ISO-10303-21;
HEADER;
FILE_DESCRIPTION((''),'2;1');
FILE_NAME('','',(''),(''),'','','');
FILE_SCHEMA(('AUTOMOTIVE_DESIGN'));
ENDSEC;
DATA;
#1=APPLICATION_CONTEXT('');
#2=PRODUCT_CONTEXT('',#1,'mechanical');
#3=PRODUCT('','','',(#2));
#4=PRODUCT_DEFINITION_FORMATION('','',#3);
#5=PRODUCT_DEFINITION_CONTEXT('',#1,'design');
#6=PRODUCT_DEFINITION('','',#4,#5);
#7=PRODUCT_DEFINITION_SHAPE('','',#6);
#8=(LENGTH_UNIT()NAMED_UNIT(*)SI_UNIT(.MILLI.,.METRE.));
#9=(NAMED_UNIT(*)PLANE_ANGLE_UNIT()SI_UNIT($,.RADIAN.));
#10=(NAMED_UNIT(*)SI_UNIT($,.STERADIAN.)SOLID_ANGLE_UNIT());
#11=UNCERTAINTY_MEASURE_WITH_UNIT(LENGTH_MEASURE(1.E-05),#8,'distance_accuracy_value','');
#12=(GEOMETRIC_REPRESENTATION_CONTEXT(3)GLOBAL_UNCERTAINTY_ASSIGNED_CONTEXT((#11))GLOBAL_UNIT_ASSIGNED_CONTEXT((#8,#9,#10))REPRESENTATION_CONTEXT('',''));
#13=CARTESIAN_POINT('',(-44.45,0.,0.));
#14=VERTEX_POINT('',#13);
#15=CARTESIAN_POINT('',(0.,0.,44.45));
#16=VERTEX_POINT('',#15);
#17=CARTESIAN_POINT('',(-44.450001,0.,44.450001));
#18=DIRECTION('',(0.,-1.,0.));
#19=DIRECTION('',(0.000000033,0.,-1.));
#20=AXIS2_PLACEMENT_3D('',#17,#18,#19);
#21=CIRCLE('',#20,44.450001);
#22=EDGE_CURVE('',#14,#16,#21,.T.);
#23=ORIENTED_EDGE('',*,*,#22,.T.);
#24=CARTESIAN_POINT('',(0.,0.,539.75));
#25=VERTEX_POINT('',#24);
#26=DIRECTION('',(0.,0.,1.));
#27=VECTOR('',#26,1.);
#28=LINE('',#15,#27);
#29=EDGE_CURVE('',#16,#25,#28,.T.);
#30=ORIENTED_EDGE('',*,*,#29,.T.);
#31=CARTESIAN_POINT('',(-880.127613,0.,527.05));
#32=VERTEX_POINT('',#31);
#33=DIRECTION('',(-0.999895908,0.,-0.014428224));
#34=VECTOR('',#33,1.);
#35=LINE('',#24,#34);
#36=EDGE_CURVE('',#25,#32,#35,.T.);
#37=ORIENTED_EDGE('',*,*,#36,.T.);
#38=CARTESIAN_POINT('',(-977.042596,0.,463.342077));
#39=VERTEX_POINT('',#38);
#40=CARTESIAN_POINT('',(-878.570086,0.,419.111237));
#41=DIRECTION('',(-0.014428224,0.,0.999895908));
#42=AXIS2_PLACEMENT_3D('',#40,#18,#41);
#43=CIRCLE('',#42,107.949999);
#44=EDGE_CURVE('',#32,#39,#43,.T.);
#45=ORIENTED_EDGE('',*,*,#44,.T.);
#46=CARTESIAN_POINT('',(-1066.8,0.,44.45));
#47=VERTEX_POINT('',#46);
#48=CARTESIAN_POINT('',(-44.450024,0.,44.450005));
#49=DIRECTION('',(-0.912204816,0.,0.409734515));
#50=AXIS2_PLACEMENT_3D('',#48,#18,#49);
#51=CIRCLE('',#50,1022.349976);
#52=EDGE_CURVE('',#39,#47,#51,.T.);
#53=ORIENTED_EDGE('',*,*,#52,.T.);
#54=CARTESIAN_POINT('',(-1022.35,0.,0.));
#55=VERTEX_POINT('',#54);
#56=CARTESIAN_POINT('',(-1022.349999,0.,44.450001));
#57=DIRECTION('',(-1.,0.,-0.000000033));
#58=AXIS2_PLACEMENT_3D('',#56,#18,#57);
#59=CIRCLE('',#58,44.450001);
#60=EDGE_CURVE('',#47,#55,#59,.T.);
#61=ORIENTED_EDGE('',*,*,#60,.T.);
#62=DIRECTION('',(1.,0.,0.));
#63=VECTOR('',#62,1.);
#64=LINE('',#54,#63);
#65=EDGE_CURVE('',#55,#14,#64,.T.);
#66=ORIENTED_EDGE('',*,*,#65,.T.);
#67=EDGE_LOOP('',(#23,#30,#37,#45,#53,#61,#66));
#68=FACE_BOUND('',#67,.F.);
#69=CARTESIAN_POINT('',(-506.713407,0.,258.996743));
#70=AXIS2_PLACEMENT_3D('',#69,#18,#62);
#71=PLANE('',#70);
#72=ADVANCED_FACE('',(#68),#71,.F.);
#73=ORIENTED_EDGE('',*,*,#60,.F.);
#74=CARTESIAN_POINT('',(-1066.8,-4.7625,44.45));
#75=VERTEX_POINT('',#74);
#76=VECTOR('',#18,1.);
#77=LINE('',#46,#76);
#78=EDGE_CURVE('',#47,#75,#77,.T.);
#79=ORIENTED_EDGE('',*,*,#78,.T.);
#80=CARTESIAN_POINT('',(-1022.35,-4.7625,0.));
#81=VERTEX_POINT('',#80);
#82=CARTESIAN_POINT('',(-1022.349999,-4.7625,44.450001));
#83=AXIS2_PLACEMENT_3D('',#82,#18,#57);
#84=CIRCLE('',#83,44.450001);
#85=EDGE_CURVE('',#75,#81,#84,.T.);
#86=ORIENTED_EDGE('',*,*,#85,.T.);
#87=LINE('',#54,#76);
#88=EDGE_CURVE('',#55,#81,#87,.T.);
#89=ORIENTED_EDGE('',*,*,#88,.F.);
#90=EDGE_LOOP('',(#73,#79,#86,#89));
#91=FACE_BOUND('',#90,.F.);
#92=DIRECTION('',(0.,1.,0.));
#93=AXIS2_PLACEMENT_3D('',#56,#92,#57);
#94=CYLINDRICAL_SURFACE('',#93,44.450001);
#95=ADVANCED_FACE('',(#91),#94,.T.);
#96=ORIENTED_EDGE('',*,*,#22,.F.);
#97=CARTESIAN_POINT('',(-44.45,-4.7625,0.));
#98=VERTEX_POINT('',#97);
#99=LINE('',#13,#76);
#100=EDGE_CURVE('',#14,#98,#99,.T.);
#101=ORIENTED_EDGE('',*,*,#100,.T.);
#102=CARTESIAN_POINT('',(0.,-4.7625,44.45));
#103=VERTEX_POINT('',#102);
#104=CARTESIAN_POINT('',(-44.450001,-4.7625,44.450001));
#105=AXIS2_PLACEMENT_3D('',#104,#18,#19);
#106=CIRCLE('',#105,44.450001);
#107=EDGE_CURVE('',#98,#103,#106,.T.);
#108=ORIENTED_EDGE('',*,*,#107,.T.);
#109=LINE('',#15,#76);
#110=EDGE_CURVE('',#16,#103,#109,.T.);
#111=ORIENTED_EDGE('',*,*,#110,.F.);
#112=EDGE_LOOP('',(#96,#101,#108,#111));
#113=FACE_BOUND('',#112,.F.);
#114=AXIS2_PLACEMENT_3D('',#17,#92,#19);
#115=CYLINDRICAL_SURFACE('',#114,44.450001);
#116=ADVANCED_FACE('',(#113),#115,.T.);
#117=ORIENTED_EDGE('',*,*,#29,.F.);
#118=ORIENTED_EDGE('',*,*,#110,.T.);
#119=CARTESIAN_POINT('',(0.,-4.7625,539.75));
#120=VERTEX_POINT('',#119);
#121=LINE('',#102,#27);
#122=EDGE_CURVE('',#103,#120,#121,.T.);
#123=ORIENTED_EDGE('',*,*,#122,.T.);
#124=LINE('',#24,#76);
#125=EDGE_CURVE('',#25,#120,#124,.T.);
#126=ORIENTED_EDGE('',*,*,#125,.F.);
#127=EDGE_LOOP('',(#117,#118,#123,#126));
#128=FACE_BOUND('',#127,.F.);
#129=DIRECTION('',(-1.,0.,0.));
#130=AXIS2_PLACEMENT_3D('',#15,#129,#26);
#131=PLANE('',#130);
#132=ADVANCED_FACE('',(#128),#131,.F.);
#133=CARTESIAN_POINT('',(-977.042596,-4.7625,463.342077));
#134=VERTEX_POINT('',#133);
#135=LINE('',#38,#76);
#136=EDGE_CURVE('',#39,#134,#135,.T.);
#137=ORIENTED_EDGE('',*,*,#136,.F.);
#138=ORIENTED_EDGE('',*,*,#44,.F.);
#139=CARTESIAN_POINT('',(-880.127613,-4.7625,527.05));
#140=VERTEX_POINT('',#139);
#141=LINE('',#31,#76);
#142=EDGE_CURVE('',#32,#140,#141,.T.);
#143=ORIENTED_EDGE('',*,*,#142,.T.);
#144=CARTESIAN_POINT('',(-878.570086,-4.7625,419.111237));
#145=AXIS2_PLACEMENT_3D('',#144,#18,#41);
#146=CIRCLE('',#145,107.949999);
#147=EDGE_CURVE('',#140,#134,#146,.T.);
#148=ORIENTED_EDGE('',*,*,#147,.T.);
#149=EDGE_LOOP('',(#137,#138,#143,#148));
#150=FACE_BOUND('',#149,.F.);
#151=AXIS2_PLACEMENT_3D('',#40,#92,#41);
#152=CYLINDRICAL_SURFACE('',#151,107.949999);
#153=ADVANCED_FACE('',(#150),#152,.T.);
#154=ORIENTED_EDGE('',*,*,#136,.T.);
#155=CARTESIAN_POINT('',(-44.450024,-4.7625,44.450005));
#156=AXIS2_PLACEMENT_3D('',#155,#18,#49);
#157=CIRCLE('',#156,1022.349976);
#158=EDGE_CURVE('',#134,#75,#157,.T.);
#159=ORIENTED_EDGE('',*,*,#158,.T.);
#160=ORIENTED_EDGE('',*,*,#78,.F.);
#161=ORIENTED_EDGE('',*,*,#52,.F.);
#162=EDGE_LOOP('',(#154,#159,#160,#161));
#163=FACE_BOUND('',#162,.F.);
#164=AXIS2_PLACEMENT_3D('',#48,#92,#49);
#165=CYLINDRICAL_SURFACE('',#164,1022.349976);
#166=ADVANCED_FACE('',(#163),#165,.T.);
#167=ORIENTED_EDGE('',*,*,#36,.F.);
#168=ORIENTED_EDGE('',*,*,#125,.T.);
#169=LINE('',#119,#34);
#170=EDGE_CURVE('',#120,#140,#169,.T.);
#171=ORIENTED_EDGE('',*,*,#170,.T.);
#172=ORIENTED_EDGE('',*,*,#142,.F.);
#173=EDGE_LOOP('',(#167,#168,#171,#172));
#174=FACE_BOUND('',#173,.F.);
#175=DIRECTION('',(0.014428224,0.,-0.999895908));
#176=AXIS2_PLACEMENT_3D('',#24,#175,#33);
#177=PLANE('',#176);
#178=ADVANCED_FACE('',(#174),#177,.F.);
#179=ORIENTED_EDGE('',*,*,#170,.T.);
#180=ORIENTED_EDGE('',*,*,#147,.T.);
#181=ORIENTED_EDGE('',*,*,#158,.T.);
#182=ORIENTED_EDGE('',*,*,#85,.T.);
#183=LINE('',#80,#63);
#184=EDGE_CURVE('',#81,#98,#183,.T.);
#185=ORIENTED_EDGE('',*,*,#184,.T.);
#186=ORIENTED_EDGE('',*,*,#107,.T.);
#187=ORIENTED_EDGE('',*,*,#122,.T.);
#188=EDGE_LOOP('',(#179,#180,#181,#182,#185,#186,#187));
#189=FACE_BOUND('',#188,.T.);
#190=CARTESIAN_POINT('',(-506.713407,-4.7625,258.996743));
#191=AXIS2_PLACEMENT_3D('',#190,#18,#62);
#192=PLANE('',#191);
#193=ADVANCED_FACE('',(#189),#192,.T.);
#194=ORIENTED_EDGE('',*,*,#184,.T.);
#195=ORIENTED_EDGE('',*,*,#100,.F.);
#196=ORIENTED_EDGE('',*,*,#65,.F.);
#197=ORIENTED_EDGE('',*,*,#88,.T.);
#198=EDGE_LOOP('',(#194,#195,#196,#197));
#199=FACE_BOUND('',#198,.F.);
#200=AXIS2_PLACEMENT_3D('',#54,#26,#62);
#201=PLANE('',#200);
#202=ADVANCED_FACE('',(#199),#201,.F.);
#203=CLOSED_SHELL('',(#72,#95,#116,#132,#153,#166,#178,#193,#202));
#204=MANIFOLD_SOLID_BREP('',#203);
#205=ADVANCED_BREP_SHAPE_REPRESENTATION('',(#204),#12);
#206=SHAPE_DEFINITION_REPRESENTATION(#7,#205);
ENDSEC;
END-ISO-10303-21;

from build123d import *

# Parameters (mm, degrees)
F1_DEPTH = 4.7625


with BuildPart() as f1:
    # F0 (on Front) → F1 (new body)
    with BuildSketch(Plane.XZ):
        with BuildLine():
            ThreePointArc((-44.45, 0), (-13.019104, 13.019104), (0, 44.45))
            Line((0, 44.45), (0, 539.75))
            Line((0, 539.75), (-880.127613, 527.05))
            ThreePointArc((-880.127613, 527.05), (-937.867446, 509.3167), (-977.042596, 463.342077))
            ThreePointArc((-977.042596, 463.342077), (-1044.108833, 258.650236), (-1066.8, 44.45))
            ThreePointArc((-1066.8, 44.45), (-1053.780896, 13.019104), (-1022.35, 0))
            Line((-1022.35, 0), (-44.45, 0))
        make_face()
    extrude(amount=F1_DEPTH)


solid = f1.part
